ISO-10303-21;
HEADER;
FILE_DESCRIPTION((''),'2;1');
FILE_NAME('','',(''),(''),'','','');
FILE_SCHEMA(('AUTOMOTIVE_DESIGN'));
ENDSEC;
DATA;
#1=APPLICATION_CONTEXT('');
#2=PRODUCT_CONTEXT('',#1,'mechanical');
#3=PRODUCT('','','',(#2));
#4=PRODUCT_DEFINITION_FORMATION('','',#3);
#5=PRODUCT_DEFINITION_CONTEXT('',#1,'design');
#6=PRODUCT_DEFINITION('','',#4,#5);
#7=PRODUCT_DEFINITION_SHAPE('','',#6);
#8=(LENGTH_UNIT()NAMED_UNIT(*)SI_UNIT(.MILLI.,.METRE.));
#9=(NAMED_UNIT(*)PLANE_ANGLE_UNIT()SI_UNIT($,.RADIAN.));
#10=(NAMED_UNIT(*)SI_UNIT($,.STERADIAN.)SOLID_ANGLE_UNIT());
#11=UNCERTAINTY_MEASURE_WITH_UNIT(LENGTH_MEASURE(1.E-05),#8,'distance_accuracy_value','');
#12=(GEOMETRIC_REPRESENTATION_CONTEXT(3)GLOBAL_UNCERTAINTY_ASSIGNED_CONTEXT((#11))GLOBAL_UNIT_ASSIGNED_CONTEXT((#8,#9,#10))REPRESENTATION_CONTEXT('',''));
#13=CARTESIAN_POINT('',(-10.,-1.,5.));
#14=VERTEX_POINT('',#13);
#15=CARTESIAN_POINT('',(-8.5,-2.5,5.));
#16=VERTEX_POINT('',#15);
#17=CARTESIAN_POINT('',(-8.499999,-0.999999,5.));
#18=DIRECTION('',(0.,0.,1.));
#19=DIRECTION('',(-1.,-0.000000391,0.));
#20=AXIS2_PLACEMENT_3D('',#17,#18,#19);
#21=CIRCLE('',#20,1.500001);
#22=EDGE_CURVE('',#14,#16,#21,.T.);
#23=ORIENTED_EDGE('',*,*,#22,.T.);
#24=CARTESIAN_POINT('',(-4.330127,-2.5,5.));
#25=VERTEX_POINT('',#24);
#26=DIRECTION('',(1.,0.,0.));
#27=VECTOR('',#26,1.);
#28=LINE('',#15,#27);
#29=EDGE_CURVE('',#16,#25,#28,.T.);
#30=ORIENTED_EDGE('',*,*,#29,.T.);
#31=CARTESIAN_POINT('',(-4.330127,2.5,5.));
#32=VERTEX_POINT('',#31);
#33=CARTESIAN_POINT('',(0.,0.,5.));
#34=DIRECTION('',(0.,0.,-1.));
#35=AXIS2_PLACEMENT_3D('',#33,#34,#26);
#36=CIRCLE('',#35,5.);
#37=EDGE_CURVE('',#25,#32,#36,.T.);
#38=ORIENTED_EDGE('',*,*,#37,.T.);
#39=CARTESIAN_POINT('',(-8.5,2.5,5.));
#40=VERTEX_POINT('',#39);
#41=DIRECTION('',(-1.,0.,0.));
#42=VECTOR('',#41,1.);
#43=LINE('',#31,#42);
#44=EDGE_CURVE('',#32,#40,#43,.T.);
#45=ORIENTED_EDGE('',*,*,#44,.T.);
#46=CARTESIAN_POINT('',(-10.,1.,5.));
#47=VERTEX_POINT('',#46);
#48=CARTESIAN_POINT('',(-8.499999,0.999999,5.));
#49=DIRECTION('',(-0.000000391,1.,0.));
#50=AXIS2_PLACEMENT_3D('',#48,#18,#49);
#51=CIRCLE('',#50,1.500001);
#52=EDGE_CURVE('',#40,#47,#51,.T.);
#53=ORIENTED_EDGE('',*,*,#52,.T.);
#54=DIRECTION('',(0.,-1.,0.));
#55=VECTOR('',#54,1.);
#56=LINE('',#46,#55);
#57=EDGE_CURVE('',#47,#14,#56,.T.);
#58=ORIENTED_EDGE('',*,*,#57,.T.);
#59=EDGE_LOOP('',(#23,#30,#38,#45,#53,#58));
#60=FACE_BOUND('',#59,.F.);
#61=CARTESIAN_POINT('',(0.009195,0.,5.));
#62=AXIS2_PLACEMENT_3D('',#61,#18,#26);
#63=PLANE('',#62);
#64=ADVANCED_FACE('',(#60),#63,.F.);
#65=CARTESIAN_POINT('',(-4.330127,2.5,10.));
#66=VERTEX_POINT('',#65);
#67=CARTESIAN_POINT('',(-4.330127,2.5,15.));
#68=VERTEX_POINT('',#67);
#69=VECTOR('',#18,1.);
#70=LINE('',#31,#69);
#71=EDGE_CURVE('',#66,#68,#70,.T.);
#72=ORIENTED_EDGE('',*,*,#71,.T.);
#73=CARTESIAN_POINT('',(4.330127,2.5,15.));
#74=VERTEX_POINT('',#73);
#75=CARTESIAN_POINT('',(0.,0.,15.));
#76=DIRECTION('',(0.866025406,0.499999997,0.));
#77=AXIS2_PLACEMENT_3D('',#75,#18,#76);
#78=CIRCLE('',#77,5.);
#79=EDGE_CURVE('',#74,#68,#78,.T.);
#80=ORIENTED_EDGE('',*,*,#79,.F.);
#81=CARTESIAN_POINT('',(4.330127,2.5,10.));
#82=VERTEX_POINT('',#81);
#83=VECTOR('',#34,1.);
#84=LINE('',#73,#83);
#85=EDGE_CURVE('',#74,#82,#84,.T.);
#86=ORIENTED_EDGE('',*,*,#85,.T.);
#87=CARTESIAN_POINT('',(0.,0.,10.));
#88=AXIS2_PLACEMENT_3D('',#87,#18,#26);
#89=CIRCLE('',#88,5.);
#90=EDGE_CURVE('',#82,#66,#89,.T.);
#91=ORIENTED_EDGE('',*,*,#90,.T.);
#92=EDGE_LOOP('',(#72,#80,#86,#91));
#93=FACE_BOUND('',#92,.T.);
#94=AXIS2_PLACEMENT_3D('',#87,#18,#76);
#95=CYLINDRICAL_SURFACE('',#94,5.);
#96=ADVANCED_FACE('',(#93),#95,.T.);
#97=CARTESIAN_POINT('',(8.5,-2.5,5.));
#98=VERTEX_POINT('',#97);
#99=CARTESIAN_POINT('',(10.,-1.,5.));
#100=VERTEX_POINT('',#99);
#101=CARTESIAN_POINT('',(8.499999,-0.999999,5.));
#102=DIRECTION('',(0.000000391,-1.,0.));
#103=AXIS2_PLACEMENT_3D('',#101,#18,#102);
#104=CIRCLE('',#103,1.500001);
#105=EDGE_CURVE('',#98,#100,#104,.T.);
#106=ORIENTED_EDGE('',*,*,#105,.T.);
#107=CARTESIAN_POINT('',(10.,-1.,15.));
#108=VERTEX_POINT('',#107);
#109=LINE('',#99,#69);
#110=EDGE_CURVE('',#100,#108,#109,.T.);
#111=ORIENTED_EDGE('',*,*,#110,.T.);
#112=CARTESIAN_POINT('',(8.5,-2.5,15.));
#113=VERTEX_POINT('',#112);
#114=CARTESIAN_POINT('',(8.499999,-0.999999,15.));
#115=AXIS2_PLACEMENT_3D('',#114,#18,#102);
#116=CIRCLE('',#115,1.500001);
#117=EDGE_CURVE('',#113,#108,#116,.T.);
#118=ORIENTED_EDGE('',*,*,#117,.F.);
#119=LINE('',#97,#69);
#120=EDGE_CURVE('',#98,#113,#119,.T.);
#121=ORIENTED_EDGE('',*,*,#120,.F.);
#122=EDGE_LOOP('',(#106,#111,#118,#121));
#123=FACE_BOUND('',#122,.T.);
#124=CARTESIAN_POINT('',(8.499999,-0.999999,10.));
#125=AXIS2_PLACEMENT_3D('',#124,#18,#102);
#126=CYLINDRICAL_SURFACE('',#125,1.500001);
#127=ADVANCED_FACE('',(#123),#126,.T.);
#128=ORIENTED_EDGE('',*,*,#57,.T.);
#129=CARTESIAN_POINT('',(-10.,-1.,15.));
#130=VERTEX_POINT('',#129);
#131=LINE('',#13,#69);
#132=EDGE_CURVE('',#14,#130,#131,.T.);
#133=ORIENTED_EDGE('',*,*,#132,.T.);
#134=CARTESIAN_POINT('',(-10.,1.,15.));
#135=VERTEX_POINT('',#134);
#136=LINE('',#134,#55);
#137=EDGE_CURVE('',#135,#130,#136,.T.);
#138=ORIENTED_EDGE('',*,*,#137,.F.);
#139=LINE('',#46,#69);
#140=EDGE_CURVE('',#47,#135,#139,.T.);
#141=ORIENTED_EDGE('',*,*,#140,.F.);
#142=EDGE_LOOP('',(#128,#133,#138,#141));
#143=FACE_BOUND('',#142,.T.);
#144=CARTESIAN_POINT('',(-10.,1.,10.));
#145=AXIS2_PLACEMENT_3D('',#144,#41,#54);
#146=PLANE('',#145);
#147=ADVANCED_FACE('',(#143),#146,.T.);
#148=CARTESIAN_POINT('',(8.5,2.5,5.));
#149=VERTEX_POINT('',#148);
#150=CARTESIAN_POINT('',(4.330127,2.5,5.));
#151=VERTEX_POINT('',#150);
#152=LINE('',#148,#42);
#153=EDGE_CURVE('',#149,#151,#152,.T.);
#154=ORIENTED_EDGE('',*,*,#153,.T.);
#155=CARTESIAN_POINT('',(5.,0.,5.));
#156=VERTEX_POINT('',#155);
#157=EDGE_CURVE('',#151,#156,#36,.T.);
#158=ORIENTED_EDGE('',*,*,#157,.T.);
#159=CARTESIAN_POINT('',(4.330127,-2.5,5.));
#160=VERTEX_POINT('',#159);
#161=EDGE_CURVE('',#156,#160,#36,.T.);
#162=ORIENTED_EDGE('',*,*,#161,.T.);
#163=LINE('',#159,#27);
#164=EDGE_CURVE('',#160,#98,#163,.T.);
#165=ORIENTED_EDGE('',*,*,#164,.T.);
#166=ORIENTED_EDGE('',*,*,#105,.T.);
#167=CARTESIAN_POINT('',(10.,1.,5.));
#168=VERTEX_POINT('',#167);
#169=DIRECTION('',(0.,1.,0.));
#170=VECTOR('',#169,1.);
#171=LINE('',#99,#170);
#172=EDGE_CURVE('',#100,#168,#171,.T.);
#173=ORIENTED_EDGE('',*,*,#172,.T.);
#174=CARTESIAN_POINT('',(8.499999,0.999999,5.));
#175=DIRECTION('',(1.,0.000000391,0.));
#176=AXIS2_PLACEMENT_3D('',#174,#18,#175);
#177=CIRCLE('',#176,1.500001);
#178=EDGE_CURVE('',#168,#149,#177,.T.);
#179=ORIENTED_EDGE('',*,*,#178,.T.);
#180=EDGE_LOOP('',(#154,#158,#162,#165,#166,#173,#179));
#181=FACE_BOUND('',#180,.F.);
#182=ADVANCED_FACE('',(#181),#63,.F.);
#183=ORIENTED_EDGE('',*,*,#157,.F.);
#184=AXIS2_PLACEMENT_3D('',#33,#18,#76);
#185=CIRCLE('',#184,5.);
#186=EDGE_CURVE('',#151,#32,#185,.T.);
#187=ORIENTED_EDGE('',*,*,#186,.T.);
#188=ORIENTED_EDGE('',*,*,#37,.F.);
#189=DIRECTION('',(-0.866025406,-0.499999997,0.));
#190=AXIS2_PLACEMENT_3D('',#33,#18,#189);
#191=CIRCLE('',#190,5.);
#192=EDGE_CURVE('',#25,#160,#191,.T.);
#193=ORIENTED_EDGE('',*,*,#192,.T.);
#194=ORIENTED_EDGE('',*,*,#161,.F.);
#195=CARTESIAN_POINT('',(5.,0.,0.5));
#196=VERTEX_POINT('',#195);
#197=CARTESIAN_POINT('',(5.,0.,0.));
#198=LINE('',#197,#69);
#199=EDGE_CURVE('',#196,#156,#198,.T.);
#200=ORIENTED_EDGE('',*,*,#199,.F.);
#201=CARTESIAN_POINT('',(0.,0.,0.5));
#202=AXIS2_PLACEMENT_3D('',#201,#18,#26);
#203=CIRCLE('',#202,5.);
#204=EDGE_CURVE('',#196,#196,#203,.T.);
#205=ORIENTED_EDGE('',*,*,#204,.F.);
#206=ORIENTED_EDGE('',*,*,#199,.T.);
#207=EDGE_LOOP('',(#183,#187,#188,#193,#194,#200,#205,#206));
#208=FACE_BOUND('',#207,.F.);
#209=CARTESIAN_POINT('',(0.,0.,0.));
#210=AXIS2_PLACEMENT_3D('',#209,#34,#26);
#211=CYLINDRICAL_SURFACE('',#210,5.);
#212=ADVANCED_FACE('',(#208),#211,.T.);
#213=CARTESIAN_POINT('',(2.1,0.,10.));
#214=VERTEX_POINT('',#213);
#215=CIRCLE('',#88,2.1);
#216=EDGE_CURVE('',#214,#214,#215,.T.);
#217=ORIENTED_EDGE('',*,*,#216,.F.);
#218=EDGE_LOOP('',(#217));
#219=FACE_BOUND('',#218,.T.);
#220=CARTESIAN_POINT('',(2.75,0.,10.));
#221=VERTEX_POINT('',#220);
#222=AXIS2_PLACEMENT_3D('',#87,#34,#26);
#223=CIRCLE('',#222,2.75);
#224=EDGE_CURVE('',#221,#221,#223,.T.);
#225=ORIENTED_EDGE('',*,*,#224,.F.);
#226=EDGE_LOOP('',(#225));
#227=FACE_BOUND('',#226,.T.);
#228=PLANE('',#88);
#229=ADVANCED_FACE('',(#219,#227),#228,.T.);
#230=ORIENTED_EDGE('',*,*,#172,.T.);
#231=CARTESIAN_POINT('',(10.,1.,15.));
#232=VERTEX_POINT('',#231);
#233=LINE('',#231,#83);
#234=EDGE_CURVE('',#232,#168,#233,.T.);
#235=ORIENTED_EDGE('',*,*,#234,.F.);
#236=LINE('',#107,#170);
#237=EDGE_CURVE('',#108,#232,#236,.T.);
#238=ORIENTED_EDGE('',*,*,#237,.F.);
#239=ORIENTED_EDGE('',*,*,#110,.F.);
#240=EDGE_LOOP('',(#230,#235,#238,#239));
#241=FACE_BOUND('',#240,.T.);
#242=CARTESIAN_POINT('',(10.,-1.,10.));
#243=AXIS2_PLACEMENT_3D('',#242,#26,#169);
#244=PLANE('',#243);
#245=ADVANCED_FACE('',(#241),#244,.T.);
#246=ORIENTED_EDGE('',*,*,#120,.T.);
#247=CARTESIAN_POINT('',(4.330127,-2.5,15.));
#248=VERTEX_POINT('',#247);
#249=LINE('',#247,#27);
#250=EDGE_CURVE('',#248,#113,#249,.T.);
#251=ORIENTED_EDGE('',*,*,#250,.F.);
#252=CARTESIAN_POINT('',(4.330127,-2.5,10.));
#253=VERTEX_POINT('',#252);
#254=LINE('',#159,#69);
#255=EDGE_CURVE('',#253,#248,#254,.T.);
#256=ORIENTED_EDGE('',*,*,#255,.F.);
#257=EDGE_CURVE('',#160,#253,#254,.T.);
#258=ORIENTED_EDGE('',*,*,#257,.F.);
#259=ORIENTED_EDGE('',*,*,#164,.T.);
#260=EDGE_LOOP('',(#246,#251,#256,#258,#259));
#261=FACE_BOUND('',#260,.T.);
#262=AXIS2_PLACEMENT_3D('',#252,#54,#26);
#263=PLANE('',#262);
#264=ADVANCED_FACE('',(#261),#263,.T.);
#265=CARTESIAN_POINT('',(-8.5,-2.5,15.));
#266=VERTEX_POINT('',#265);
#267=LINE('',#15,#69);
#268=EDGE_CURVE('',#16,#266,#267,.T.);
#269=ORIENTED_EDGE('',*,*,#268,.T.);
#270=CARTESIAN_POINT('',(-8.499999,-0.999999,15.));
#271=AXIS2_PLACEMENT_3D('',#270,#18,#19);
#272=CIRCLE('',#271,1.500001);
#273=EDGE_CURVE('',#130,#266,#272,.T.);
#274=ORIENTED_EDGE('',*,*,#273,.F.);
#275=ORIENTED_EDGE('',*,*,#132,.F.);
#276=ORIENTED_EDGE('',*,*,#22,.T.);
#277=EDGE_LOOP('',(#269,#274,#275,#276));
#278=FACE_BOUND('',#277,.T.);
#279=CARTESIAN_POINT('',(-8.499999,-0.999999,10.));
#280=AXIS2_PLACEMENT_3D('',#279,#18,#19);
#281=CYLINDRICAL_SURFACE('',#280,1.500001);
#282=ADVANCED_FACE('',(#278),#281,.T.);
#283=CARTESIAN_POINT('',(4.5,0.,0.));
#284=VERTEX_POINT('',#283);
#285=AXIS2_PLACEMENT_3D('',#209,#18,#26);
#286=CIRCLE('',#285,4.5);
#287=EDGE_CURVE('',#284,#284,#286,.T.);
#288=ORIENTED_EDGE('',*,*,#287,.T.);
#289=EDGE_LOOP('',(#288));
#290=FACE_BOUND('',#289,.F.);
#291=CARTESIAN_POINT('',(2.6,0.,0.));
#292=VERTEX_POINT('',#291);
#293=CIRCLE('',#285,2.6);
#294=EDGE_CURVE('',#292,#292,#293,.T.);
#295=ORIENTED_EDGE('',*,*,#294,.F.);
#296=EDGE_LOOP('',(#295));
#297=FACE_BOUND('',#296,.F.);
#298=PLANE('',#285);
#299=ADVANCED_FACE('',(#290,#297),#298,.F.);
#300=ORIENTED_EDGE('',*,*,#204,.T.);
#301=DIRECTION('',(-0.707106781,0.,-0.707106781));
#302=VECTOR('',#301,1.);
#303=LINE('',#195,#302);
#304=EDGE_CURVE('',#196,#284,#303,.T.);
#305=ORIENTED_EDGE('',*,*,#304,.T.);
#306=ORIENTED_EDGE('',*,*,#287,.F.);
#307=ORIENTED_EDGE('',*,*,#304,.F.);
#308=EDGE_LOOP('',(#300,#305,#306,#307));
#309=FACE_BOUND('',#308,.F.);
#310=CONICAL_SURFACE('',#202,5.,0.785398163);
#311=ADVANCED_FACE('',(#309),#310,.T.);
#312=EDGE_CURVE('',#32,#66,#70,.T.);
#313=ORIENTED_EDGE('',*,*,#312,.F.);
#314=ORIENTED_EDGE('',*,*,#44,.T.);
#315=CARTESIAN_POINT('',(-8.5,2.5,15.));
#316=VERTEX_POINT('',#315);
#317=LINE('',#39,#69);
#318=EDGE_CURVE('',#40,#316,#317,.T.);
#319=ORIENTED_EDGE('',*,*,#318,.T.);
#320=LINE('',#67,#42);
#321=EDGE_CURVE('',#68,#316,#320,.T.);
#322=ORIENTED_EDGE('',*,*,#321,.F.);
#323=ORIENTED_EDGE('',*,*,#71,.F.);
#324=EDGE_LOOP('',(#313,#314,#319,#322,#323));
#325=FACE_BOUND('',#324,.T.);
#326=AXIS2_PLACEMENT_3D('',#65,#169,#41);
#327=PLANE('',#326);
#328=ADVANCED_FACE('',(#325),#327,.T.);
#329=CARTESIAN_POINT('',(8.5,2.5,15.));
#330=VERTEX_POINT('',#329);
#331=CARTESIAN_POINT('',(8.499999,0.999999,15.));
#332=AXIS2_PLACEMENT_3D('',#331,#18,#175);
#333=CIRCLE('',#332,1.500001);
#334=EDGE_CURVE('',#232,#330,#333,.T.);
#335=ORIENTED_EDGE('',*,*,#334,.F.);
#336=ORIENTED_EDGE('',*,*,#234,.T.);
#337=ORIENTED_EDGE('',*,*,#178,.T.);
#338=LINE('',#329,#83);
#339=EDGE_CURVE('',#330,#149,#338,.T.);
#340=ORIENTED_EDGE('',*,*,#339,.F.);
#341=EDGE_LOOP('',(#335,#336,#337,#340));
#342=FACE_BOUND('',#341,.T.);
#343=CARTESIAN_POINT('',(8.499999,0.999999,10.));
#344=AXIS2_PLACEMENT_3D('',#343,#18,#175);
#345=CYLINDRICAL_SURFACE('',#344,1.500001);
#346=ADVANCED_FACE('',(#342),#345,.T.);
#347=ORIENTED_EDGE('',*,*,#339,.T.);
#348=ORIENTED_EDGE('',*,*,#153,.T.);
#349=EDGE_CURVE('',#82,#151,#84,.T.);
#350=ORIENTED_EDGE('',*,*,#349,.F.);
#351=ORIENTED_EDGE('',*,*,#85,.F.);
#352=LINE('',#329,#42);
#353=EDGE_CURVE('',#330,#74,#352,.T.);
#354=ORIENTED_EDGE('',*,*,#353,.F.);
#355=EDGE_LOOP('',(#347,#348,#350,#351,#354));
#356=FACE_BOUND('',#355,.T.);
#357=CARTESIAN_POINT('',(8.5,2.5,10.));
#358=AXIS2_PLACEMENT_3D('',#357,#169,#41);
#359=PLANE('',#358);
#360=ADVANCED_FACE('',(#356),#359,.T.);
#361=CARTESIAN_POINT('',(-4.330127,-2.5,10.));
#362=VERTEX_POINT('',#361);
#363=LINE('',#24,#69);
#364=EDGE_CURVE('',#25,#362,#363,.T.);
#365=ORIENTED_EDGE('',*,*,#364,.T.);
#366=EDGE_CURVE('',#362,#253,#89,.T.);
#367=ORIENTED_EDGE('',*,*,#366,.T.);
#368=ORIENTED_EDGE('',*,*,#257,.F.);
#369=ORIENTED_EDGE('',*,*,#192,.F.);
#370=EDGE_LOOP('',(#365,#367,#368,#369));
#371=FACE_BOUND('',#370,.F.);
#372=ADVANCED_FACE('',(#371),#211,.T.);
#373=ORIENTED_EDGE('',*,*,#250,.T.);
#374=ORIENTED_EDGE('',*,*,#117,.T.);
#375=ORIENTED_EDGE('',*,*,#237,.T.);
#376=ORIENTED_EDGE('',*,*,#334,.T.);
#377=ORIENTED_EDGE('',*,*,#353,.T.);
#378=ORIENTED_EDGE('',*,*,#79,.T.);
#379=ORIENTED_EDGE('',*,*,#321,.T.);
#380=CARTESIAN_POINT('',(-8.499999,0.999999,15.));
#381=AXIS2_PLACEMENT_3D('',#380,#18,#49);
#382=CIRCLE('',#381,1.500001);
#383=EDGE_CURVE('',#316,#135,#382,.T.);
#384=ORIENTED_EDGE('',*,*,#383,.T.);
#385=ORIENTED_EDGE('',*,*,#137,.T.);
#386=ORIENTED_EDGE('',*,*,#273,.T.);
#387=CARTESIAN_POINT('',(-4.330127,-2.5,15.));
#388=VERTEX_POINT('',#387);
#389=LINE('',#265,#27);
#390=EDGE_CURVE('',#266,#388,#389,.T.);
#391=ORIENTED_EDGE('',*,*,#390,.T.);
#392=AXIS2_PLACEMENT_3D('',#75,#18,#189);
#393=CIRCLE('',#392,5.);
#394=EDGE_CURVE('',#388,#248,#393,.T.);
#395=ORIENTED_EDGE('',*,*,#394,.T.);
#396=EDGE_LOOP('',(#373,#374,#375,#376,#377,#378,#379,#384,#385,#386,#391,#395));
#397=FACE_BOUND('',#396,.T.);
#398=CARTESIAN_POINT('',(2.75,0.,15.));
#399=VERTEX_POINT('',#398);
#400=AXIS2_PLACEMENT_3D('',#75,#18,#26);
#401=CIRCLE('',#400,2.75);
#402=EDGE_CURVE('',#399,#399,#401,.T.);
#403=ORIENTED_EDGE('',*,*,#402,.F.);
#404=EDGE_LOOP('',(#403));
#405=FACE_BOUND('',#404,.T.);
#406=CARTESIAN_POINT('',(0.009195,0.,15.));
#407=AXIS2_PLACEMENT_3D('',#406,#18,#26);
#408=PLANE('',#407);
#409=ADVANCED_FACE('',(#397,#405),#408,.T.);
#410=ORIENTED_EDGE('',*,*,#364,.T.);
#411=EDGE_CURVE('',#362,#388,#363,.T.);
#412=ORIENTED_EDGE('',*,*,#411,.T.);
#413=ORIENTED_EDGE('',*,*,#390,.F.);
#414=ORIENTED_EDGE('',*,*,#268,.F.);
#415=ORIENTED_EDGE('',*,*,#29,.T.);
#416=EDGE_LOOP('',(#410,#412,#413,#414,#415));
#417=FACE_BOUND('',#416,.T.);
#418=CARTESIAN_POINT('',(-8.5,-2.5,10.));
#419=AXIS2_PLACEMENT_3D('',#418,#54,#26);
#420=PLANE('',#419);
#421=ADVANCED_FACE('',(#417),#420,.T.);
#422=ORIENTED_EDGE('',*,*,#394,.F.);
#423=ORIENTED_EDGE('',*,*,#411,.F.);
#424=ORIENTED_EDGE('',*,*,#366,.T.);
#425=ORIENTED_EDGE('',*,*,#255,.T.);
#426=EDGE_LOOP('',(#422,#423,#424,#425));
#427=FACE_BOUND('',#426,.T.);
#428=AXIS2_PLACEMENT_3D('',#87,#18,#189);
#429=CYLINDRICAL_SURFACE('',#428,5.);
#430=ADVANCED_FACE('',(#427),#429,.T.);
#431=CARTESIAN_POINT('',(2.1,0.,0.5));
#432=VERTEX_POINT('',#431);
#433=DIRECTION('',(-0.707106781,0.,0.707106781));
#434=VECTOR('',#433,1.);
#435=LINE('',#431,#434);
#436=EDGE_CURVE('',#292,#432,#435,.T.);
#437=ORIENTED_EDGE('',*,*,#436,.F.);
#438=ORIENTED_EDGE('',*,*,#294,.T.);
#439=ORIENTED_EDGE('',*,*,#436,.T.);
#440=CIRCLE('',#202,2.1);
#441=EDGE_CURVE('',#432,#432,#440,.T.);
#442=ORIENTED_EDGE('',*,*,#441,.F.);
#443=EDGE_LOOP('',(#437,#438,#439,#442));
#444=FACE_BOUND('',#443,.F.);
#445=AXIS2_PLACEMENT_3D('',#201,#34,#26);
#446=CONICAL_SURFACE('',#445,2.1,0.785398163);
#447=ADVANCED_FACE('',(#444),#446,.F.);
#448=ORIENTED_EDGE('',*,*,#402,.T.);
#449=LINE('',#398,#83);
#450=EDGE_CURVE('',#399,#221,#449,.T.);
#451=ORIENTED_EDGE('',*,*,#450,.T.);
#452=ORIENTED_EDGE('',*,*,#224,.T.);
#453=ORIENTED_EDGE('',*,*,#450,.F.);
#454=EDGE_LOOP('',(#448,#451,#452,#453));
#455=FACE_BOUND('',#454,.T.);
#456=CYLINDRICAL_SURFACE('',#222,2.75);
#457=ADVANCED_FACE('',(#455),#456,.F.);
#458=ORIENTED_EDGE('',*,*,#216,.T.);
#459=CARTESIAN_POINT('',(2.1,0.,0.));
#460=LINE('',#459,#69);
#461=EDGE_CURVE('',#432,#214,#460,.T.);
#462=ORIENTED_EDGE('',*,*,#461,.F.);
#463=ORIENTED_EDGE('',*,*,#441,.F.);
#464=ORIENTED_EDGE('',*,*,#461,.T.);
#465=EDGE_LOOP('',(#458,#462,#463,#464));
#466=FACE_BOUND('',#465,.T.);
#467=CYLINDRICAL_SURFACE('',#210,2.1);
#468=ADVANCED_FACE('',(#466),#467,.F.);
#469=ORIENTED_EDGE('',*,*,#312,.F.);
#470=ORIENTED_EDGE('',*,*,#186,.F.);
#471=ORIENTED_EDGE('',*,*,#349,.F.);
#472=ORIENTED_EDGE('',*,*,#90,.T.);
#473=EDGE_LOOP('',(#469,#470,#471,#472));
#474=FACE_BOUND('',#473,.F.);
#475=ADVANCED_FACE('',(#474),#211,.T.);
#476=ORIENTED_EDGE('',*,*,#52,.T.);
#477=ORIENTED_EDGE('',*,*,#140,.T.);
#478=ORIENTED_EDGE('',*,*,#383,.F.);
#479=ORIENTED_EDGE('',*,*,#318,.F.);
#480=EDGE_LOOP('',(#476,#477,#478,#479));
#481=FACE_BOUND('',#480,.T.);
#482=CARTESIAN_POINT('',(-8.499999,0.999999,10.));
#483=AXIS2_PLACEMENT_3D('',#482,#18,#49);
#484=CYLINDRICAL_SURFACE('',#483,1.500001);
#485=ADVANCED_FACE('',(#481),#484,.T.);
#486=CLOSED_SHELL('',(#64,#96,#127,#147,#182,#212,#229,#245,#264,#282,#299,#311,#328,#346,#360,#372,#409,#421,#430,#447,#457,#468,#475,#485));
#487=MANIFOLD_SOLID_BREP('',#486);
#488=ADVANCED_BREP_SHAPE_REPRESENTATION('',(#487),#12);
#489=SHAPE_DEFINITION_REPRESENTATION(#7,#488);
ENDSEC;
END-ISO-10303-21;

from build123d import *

# Parameters (mm, degrees)
F0_R     = 5
F0_R_2   = 2.1
F1_DEPTH = 10
F2_R     = 2.75
F3_DEPTH = 5
F4_SIZE  = 0.5


with BuildPart() as f1:
    # F0 (on Top) → F1 (new body)
    with BuildSketch(Plane.XY):
        Circle(F0_R)
        Circle(F0_R_2, mode=Mode.SUBTRACT)
    extrude(amount=F1_DEPTH)

    # F2 (on face) → F3 (join, symmetric)
    with BuildSketch(Plane.XY.offset(10)):
        with BuildLine():
            ThreePointArc((5, 0), (4.829629, 1.294095), (4.330127, 2.5))
            ThreePointArc((4.330127, 2.5), (0, 5), (-4.330127, 2.5))
            ThreePointArc((-4.330127, 2.5), (-5, 0), (-4.330127, -2.5))
            ThreePointArc((-4.330127, -2.5), (0, -5), (4.330127, -2.5))
            ThreePointArc((4.330127, -2.5), (4.829629, -1.294095), (5, 0))
        make_face()
        Circle(F2_R, mode=Mode.SUBTRACT)
        with BuildLine():
            Line((8.5, 2.5), (4.330127, 2.5))
            ThreePointArc((4.330127, 2.5), (4.829629, 1.294095), (5, 0))
            ThreePointArc((5, 0), (4.829629, -1.294095), (4.330127, -2.5))
            Line((4.330127, -2.5), (8.5, -2.5))
            ThreePointArc((8.5, -2.5), (9.56066, -2.06066), (10, -1))
            Line((10, -1), (10, 1))
            ThreePointArc((10, 1), (9.56066, 2.06066), (8.5, 2.5))
        make_face()
        with BuildLine():
            ThreePointArc((-4.330127, -2.5), (-5, 0), (-4.330127, 2.5))
            Line((-4.330127, 2.5), (-8.5, 2.5))
            ThreePointArc((-8.5, 2.5), (-9.56066, 2.06066), (-10, 1))
            Line((-10, 1), (-10, -1))
            ThreePointArc((-10, -1), (-9.56066, -2.06066), (-8.5, -2.5))
            Line((-8.5, -2.5), (-4.330127, -2.5))
        make_face()
    extrude(amount=F3_DEPTH, both=True)

    # F4
    f4_edges = [f1.edges().sort_by_distance(p)[0] for p in [
        (-5, 0, 0),
        (-2.1, 0, 0),
    ]]
    chamfer(f4_edges, length=F4_SIZE)


solid = f1.part
